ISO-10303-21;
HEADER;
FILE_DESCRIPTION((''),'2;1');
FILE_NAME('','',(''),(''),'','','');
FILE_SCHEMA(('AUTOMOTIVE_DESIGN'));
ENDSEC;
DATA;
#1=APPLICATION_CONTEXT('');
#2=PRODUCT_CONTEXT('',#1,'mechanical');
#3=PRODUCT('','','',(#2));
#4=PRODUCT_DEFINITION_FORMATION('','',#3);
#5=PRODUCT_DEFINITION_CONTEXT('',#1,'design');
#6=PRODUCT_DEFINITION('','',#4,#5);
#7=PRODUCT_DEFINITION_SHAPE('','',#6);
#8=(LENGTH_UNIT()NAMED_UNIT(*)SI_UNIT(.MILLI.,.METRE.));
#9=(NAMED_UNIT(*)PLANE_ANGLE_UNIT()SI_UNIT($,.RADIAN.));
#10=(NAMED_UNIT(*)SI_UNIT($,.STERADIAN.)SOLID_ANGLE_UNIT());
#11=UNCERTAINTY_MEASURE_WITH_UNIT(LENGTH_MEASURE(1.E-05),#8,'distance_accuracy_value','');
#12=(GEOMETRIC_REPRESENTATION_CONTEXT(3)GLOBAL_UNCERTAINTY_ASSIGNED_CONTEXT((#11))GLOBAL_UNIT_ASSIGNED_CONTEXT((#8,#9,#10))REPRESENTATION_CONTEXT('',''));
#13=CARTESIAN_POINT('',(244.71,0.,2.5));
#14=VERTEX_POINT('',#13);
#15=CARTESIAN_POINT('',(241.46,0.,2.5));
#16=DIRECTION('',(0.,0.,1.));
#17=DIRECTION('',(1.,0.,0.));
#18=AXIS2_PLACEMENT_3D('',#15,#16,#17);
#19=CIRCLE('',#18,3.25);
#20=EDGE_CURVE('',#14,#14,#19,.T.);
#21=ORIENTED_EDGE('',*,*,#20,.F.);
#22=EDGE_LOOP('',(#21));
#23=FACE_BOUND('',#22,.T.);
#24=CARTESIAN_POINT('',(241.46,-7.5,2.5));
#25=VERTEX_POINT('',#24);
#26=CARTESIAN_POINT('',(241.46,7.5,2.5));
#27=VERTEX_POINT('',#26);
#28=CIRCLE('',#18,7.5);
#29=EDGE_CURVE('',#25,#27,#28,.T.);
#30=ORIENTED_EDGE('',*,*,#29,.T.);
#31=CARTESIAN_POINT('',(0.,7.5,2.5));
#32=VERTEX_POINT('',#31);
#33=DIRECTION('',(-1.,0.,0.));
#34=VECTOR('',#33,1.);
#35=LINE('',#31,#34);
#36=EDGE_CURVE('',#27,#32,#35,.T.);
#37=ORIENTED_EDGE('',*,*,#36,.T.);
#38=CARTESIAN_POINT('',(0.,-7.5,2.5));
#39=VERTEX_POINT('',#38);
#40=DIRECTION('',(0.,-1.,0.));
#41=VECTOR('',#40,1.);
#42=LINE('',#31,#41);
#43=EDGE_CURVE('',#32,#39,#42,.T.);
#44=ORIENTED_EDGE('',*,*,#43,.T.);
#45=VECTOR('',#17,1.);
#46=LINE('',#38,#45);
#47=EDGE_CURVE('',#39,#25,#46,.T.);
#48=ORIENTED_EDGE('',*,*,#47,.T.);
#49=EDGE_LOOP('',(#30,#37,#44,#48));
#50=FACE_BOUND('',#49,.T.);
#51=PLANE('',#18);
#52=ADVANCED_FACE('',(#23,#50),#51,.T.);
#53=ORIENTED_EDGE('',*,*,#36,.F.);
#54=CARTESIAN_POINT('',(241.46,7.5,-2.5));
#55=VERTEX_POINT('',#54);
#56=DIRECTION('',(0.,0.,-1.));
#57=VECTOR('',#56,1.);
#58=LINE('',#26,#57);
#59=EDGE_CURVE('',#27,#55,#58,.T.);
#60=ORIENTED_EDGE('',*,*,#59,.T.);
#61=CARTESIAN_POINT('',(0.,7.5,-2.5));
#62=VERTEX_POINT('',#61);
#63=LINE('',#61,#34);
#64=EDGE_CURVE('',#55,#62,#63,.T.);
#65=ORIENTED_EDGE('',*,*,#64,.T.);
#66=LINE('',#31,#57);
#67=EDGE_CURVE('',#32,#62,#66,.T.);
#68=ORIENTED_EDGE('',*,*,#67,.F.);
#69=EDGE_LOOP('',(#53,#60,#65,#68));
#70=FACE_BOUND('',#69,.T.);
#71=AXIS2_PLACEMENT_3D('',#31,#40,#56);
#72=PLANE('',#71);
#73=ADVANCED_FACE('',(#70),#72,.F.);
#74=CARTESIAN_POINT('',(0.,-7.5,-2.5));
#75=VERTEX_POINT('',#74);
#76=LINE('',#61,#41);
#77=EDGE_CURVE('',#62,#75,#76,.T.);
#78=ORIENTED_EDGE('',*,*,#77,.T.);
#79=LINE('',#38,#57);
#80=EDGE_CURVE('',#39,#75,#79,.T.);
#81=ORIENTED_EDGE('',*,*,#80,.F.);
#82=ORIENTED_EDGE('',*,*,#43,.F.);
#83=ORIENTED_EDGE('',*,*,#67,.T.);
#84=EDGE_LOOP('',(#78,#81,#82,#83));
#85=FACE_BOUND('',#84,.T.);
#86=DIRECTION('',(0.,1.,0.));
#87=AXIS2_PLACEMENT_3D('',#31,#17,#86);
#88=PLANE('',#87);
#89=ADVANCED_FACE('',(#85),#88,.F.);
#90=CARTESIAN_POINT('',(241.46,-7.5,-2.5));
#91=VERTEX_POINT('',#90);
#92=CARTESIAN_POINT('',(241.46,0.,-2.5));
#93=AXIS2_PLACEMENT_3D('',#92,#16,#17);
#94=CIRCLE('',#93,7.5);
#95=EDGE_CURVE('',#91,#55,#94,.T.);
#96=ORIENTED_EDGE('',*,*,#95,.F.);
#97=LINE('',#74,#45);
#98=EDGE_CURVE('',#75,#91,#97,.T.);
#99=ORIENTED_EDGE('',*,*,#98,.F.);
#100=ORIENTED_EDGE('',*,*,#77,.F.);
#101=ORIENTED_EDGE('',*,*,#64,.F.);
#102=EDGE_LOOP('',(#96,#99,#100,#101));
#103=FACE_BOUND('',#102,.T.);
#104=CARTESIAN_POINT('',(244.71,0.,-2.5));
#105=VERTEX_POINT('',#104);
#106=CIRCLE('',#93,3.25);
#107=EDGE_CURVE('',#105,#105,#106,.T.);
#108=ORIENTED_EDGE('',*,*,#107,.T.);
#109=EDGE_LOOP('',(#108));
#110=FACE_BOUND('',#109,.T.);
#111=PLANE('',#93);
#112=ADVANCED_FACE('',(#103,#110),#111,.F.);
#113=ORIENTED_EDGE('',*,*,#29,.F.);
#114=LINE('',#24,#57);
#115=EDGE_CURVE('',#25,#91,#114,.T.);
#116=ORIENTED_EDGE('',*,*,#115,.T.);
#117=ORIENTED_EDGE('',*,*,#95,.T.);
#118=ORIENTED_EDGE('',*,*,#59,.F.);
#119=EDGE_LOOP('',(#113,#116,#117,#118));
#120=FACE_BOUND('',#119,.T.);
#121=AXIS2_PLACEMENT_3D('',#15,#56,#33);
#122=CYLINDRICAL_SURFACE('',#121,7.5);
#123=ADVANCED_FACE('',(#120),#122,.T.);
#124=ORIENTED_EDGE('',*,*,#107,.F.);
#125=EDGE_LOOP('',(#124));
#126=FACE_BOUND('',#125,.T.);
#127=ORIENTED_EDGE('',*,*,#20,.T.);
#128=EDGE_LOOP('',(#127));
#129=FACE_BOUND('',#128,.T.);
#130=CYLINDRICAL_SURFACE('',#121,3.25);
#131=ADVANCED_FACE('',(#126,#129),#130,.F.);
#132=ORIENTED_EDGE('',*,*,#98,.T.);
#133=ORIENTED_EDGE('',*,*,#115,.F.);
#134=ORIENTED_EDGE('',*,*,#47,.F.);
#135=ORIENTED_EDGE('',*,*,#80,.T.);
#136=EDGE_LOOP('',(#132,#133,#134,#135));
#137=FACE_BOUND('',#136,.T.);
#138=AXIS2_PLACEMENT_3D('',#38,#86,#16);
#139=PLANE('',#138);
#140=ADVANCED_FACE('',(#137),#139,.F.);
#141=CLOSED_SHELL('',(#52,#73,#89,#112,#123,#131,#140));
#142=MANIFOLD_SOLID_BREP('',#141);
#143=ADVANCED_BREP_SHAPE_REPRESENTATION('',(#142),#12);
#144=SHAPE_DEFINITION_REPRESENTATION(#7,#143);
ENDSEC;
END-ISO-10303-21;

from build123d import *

# Parameters (mm, degrees)
SKETCH1_R           = 3.25
BOSS_EXTRUDE1_DEPTH = 2.5


with BuildPart() as part:
    # Sketch1 → Boss-Extrude1 (new, symmetric)
    with BuildSketch(Plane.XY):
        with BuildLine():
            Line((0, 7.5), (241.46, 7.5))
            ThreePointArc((241.46, 7.5), (248.96, 0), (241.46, -7.5))
            Line((241.46, -7.5), (0, -7.5))
            Line((0, -7.5), (0, 7.5))
        make_face()
        with Locations((241.46, 0)):
            Circle(SKETCH1_R, mode=Mode.SUBTRACT)
    extrude(amount=BOSS_EXTRUDE1_DEPTH, both=True)


solid = part.part
